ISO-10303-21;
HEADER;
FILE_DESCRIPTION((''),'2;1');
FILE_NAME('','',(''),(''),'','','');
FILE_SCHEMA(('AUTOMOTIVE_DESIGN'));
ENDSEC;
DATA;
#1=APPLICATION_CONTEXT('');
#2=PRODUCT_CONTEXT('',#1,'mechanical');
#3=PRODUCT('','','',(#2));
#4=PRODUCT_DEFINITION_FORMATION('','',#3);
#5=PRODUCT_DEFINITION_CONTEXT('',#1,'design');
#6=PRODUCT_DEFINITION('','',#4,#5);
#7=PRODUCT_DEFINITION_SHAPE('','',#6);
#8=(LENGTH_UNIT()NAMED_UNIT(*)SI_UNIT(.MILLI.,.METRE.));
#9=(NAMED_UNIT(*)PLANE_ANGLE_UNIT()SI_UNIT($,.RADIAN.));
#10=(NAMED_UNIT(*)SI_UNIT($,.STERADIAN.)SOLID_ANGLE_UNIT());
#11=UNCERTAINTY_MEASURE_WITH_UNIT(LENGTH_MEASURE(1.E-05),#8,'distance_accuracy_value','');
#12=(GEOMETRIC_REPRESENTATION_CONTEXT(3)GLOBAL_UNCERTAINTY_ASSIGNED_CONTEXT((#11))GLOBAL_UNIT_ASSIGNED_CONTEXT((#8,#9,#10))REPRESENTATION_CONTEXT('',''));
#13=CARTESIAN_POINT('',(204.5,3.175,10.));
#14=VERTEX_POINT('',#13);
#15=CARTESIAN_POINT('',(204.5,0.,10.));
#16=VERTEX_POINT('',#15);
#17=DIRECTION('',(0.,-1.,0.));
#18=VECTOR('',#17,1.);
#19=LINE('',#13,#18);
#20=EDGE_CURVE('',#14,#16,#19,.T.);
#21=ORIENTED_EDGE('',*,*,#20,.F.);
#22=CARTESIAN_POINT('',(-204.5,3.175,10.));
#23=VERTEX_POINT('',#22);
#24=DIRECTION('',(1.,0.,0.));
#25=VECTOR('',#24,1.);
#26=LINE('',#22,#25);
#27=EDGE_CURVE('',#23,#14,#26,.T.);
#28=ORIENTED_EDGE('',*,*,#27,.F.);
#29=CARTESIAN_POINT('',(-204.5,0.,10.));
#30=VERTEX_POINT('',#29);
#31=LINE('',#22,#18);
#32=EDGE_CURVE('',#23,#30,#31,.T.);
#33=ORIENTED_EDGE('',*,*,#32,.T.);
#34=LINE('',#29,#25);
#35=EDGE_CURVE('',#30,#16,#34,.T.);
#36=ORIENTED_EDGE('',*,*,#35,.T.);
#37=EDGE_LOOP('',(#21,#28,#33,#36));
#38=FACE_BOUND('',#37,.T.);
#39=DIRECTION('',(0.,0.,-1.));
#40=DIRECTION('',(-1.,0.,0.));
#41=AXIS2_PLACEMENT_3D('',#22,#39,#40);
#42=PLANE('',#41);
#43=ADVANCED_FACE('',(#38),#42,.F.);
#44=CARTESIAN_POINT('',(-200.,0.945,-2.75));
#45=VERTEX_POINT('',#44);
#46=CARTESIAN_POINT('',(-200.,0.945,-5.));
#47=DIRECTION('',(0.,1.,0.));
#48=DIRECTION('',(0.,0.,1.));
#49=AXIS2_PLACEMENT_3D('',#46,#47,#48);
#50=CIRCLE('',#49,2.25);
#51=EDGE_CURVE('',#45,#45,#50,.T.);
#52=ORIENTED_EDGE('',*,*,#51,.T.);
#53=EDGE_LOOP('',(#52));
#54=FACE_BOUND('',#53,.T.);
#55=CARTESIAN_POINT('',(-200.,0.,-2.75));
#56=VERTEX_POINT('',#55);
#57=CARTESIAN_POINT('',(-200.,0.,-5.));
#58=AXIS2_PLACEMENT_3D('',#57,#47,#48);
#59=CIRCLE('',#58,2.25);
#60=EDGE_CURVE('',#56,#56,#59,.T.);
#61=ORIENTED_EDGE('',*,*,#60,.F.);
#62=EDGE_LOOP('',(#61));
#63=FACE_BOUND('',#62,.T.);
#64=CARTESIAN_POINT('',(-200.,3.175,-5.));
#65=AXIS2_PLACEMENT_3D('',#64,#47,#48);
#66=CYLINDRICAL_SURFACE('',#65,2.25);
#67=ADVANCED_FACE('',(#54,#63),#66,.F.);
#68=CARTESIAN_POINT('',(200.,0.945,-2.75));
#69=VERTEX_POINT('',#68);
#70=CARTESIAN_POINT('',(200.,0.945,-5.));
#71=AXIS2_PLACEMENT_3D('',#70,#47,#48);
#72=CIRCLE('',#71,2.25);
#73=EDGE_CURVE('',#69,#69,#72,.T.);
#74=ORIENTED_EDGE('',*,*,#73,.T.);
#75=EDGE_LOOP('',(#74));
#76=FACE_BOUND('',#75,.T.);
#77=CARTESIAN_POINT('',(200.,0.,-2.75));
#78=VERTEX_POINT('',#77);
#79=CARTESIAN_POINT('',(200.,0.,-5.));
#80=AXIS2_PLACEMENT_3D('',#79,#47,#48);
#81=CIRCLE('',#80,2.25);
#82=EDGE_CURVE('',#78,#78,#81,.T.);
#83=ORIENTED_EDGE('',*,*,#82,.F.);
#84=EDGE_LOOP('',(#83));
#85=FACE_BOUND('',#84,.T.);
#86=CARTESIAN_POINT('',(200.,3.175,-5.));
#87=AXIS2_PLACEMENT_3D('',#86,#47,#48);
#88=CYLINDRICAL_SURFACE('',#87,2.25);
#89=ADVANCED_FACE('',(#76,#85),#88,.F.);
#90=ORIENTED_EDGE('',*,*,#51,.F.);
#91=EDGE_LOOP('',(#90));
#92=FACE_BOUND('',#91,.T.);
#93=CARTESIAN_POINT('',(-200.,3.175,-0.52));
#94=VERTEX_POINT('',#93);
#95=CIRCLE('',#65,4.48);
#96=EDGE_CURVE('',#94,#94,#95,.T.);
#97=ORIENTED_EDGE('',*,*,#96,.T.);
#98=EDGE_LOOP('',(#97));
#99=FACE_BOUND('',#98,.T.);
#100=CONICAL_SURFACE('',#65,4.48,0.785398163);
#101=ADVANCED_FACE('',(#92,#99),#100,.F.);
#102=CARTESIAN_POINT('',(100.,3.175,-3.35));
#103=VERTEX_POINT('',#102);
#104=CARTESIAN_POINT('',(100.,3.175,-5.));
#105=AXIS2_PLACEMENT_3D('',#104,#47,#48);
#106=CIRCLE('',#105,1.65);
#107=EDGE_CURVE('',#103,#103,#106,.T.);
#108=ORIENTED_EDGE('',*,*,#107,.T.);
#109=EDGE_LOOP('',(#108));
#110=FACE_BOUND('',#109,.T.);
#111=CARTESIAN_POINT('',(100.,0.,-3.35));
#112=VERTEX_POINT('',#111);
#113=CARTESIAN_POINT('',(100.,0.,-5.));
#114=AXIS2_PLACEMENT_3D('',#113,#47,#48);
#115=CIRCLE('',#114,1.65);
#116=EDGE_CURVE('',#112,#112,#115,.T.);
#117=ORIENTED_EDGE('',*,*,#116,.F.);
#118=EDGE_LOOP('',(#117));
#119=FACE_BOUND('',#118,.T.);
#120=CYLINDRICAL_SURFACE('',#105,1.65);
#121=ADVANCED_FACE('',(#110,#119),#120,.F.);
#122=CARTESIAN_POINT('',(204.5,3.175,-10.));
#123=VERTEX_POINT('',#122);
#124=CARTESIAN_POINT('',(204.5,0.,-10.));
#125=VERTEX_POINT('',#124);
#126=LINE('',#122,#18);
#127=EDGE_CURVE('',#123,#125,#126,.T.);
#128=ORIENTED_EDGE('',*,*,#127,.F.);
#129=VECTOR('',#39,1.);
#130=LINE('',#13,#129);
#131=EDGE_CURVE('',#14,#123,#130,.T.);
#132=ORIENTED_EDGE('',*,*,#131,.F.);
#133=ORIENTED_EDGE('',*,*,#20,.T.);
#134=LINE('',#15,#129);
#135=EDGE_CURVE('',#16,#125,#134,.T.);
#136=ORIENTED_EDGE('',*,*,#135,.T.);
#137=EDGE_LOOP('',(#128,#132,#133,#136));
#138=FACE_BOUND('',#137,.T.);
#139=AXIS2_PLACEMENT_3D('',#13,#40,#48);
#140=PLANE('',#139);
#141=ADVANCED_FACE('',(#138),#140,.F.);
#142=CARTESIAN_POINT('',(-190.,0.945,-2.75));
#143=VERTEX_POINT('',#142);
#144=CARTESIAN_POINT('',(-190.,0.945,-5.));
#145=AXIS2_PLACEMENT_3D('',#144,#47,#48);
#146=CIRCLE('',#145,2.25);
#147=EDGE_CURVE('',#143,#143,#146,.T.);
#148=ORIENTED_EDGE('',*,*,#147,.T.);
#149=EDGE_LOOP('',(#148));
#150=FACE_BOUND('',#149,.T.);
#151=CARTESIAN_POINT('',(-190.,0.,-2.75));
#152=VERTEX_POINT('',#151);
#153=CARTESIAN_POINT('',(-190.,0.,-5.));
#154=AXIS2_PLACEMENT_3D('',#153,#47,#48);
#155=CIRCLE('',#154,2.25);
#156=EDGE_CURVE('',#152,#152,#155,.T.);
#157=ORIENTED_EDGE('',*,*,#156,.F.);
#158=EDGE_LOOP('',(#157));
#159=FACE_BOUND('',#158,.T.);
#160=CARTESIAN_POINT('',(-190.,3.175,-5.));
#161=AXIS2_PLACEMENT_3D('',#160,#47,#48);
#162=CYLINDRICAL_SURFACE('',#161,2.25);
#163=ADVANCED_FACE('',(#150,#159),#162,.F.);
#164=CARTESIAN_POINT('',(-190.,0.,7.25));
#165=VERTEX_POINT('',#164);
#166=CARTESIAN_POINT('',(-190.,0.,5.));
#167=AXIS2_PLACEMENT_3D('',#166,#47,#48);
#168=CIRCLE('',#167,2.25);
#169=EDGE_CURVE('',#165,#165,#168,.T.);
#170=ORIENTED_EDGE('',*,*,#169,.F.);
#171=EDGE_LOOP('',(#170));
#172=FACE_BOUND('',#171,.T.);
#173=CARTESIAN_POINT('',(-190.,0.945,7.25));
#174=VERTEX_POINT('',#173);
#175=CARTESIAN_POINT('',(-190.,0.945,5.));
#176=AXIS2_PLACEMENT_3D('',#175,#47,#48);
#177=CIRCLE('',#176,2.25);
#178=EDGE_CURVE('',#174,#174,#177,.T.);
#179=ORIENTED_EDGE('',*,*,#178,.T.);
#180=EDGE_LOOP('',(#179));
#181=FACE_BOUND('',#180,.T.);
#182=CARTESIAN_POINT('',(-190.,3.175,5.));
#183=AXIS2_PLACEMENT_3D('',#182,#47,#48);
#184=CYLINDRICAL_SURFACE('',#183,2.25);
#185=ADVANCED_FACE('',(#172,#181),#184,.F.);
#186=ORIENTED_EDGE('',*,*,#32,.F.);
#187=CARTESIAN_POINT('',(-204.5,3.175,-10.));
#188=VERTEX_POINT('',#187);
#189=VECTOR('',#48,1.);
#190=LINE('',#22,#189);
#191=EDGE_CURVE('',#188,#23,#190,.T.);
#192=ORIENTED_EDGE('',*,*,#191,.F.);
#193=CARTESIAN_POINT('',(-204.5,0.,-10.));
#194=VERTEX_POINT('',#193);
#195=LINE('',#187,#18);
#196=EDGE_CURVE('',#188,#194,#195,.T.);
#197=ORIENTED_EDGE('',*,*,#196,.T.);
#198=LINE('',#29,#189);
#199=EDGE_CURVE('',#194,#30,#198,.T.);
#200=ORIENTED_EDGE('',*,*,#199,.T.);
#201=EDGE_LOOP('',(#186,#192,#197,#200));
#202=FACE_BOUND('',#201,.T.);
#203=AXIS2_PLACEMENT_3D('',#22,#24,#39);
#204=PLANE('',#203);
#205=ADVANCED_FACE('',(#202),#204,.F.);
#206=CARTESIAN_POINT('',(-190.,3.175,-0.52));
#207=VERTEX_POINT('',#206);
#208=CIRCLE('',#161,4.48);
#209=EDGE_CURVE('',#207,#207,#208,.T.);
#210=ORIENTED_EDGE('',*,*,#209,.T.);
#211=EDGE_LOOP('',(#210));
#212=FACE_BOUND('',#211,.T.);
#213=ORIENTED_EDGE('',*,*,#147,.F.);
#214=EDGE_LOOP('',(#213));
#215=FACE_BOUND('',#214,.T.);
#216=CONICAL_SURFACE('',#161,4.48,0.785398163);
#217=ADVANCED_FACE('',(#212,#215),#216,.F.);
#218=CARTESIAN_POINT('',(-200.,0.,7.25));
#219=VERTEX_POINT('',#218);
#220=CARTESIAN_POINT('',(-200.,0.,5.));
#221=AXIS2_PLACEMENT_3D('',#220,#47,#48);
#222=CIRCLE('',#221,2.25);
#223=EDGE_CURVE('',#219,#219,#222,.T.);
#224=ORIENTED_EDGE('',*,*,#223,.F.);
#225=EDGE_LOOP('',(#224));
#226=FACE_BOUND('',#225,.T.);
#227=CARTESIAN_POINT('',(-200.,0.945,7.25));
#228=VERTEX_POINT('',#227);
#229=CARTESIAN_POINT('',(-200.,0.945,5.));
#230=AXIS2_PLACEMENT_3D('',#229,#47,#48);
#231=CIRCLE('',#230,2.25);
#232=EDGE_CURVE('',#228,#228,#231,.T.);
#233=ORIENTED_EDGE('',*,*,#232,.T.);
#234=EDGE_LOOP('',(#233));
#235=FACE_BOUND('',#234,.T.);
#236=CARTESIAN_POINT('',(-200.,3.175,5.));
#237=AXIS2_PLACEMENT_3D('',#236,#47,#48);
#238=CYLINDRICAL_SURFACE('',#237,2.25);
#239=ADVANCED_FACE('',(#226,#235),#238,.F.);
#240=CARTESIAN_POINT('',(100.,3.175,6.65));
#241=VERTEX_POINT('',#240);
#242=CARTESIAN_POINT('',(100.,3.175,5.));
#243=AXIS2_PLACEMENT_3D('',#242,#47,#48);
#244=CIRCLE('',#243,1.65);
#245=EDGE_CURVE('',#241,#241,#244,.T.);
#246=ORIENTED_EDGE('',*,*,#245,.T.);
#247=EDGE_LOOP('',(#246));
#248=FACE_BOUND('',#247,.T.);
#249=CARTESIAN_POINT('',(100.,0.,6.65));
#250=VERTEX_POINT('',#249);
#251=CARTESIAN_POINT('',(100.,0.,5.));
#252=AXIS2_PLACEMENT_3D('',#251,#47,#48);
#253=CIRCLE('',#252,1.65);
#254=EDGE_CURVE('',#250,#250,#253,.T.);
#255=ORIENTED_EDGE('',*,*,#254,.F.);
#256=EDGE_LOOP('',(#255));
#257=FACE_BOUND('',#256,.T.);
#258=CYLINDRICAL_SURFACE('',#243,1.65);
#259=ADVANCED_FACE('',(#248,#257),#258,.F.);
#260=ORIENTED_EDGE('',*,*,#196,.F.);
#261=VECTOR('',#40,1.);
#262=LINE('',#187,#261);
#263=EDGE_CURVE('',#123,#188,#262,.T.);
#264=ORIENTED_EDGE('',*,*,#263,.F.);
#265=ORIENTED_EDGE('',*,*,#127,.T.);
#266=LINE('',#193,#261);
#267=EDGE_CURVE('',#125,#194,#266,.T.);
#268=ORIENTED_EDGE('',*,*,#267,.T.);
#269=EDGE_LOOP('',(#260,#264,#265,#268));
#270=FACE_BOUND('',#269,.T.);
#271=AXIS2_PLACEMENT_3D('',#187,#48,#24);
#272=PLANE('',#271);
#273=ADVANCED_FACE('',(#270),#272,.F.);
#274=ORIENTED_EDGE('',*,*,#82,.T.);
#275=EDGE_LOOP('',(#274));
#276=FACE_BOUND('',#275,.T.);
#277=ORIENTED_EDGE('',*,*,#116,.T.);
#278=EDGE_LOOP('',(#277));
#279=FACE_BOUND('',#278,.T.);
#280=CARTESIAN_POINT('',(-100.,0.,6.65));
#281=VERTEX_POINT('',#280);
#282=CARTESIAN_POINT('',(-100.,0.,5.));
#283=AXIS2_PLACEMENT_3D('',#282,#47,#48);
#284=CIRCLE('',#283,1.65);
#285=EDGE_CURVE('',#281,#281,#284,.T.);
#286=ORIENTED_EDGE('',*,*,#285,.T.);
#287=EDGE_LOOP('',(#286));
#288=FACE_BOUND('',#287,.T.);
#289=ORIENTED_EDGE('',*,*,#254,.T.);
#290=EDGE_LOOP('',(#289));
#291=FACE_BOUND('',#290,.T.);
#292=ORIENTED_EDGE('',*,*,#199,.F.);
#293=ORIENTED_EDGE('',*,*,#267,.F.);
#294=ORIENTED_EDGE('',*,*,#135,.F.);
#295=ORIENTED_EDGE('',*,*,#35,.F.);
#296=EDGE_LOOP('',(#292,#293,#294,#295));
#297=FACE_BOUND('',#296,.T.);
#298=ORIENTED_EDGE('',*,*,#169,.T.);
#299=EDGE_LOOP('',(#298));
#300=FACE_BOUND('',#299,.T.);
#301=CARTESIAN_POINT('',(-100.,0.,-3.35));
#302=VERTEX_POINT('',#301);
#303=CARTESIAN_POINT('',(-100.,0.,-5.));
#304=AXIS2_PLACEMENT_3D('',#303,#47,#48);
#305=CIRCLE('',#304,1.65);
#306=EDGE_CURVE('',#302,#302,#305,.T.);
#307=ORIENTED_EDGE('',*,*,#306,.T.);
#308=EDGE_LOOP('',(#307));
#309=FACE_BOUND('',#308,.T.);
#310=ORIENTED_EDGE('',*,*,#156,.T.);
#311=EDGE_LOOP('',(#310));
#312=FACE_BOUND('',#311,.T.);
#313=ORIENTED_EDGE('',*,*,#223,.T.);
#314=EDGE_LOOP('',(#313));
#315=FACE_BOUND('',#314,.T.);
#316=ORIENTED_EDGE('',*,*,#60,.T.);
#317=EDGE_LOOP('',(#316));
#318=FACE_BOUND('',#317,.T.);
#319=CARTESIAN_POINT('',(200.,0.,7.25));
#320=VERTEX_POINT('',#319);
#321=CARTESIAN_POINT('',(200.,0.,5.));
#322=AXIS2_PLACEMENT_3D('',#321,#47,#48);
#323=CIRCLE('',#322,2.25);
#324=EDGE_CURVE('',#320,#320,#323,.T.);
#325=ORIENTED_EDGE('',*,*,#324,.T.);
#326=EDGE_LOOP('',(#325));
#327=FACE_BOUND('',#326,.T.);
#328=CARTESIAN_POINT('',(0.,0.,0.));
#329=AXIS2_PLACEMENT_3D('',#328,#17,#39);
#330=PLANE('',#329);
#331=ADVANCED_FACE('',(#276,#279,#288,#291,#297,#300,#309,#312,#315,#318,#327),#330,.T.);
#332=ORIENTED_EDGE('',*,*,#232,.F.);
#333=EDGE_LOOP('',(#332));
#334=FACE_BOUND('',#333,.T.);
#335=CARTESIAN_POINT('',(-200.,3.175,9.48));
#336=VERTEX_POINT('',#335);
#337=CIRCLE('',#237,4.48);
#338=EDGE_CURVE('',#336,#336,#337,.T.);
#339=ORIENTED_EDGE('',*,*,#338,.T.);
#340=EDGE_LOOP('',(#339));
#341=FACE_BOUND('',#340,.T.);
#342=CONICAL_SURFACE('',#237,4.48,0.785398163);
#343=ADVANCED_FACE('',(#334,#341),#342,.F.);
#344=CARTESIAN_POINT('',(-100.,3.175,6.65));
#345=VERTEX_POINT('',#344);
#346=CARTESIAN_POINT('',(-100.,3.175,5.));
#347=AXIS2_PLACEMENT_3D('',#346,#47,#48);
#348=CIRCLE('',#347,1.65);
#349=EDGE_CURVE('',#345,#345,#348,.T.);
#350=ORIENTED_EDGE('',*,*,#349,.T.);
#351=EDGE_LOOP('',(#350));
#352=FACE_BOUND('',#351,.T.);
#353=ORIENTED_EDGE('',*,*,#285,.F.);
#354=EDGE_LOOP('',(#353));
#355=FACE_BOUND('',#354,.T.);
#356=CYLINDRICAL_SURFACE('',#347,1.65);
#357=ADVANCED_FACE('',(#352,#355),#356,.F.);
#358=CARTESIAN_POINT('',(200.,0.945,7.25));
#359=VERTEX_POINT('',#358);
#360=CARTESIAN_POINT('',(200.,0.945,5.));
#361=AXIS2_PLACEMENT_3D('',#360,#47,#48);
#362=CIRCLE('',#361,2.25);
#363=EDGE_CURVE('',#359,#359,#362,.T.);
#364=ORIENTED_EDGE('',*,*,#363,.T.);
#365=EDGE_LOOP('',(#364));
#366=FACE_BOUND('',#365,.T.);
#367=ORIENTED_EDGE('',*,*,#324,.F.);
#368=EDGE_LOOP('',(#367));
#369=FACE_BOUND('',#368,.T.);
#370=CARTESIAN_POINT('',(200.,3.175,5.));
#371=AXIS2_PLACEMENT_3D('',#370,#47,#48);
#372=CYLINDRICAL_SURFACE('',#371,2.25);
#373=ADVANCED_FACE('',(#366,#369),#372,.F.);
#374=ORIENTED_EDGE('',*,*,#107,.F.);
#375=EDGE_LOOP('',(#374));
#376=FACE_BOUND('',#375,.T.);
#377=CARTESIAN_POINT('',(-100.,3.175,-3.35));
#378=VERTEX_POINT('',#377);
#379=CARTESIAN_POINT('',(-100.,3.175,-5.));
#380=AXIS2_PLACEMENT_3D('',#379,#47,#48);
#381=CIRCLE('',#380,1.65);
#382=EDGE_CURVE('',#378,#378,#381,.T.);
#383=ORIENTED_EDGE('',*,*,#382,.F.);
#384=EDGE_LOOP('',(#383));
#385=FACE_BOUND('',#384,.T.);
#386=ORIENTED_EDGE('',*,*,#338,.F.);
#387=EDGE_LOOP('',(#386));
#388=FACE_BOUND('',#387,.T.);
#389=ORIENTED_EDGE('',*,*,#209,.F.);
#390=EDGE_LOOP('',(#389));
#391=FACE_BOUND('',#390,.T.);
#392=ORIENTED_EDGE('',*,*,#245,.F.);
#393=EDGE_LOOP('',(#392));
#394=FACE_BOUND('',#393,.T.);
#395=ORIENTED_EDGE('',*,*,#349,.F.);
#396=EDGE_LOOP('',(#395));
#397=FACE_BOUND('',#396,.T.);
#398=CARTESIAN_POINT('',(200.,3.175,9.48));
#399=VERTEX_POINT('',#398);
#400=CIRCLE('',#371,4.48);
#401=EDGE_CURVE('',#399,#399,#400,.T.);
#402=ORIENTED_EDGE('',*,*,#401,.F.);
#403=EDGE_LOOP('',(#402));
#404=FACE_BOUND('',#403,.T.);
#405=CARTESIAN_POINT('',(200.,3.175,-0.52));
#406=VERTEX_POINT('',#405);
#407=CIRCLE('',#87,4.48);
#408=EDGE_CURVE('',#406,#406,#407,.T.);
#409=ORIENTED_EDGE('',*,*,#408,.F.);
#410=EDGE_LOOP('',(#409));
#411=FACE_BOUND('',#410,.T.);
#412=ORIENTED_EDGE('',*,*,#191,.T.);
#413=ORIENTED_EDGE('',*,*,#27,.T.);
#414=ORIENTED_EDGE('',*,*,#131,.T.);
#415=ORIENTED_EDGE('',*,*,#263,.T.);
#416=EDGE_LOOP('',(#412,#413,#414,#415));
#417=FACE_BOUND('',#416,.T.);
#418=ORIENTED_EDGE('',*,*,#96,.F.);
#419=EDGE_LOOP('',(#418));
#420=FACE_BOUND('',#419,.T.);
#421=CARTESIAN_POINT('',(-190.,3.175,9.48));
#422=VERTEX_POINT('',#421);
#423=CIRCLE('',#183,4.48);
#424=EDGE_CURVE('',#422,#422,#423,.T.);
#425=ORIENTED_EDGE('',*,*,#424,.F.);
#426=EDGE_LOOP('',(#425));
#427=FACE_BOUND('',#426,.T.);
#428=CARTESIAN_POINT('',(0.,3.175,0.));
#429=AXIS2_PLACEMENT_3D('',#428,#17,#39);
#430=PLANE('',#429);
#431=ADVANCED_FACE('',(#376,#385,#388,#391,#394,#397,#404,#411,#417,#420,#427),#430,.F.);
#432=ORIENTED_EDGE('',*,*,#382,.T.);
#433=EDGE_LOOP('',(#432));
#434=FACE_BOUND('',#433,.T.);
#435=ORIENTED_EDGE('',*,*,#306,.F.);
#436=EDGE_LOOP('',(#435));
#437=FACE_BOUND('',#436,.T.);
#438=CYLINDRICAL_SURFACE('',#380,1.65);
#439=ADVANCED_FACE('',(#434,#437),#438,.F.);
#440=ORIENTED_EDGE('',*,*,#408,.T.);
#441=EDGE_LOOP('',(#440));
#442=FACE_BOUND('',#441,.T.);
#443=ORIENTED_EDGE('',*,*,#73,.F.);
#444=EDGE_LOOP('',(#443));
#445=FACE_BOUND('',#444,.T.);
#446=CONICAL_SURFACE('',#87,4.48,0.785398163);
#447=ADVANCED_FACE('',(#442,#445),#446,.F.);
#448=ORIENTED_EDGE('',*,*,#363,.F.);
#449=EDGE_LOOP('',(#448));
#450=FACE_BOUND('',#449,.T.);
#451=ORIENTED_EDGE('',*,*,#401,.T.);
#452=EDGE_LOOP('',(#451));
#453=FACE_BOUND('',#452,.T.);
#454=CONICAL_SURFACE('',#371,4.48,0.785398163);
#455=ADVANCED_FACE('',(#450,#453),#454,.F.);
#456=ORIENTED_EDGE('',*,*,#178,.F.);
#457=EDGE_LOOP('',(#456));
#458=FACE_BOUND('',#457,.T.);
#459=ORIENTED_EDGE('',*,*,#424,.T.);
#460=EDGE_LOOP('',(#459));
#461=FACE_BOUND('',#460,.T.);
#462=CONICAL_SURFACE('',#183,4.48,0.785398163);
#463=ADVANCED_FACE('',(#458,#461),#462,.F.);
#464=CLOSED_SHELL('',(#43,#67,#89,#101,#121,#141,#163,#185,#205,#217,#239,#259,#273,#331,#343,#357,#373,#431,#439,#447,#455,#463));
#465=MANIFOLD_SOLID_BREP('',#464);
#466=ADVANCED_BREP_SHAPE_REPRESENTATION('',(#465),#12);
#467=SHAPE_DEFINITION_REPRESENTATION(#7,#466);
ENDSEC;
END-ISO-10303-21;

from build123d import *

# Parameters (mm, degrees)
SKETCH1_W                    = 409
SKETCH1_H                    = 20
BOSS_EXTRUDE1_DEPTH          = 3.175
CSK_FOR_M4_SFHCS1_AT_2_COUNT = 2
CSK_FOR_M4_SFHCS1_AT_2_PITCH = 14.142135624
CSK_FOR_M4_SFHCS1_AT_3_COUNT = 2
CSK_FOR_M4_SFHCS1_AT_3_PITCH = 10
CSK_FOR_M4_SFHCS1_AT_4_COUNT = 2
CSK_FOR_M4_SFHCS1_AT_4_PITCH = 10
CSK_FOR_M4_SFHCS1_AT_5_COUNT = 2
CSK_FOR_M4_SFHCS1_AT_5_PITCH = 390
CSK_FOR_M4_SFHCS1_AT_6_COUNT = 2
CSK_FOR_M4_SFHCS1_AT_6_PITCH = 390.128184063
M4X0_7_TAPPED_HOLE1_D        = 3.3


with BuildPart() as part:
    # Sketch1 → Boss-Extrude1 (new body)
    with BuildSketch(Plane(origin=(0, 0, 0), x_dir=(1, 0, 0), z_dir=(0, 1, 0))):
        Rectangle(SKETCH1_W, SKETCH1_H)
    extrude(amount=BOSS_EXTRUDE1_DEPTH)

    # Sketch4 → CSK for M4 SFHCS1 (revolve, cut)
    with BuildSketch(Plane(origin=(-190, 3.175, -5), x_dir=(0, 0, 1), z_dir=(1, 0, 0))):
        Polygon((0, 0), (0, 3.175), (2.25, 3.175), (2.25, 2.23), (4.48, 0), align=None)
    csk_for_m4_sfhcs1 = revolve(axis=Axis((-190, 9.525, -5), (0, -1, 0)), mode=Mode.SUBTRACT)

    # CSK for M4 SFHCS1 at 2: CSK for M4 SFHCS1 ×2
    with Locations(*[Vector(-0.7071067811865472, 0, 0.7071067811865479) * (i * CSK_FOR_M4_SFHCS1_AT_2_PITCH) for i in range(1, CSK_FOR_M4_SFHCS1_AT_2_COUNT)]):
        add(csk_for_m4_sfhcs1, mode=Mode.SUBTRACT)

    # CSK for M4 SFHCS1 at 3: CSK for M4 SFHCS1 ×2
    with Locations(*[(-i * CSK_FOR_M4_SFHCS1_AT_3_PITCH, 0, 0) for i in range(1, CSK_FOR_M4_SFHCS1_AT_3_COUNT)]):
        add(csk_for_m4_sfhcs1, mode=Mode.SUBTRACT)

    # CSK for M4 SFHCS1 at 4: CSK for M4 SFHCS1 ×2
    with Locations(*[(0, 0, i * CSK_FOR_M4_SFHCS1_AT_4_PITCH) for i in range(1, CSK_FOR_M4_SFHCS1_AT_4_COUNT)]):
        add(csk_for_m4_sfhcs1, mode=Mode.SUBTRACT)

    # CSK for M4 SFHCS1 at 5: CSK for M4 SFHCS1 ×2
    with Locations(*[(i * CSK_FOR_M4_SFHCS1_AT_5_PITCH, 0, 0) for i in range(1, CSK_FOR_M4_SFHCS1_AT_5_COUNT)]):
        add(csk_for_m4_sfhcs1, mode=Mode.SUBTRACT)

    # CSK for M4 SFHCS1 at 6: CSK for M4 SFHCS1 ×2
    with Locations(*[Vector(0.9996714309094813, 0, 0.025632600792550815) * (i * CSK_FOR_M4_SFHCS1_AT_6_PITCH) for i in range(1, CSK_FOR_M4_SFHCS1_AT_6_COUNT)]):
        add(csk_for_m4_sfhcs1, mode=Mode.SUBTRACT)

    # M4x0.7 Tapped Hole1 (through all)
    with Locations(Plane(origin=(0, 3.175, 0), x_dir=(1, 0, 0), z_dir=(0, 1, 0))):
        with Locations((100, 5), (-100, -5), (-100, 5), (100, -5)):
            Hole(M4X0_7_TAPPED_HOLE1_D / 2)


solid = part.part
